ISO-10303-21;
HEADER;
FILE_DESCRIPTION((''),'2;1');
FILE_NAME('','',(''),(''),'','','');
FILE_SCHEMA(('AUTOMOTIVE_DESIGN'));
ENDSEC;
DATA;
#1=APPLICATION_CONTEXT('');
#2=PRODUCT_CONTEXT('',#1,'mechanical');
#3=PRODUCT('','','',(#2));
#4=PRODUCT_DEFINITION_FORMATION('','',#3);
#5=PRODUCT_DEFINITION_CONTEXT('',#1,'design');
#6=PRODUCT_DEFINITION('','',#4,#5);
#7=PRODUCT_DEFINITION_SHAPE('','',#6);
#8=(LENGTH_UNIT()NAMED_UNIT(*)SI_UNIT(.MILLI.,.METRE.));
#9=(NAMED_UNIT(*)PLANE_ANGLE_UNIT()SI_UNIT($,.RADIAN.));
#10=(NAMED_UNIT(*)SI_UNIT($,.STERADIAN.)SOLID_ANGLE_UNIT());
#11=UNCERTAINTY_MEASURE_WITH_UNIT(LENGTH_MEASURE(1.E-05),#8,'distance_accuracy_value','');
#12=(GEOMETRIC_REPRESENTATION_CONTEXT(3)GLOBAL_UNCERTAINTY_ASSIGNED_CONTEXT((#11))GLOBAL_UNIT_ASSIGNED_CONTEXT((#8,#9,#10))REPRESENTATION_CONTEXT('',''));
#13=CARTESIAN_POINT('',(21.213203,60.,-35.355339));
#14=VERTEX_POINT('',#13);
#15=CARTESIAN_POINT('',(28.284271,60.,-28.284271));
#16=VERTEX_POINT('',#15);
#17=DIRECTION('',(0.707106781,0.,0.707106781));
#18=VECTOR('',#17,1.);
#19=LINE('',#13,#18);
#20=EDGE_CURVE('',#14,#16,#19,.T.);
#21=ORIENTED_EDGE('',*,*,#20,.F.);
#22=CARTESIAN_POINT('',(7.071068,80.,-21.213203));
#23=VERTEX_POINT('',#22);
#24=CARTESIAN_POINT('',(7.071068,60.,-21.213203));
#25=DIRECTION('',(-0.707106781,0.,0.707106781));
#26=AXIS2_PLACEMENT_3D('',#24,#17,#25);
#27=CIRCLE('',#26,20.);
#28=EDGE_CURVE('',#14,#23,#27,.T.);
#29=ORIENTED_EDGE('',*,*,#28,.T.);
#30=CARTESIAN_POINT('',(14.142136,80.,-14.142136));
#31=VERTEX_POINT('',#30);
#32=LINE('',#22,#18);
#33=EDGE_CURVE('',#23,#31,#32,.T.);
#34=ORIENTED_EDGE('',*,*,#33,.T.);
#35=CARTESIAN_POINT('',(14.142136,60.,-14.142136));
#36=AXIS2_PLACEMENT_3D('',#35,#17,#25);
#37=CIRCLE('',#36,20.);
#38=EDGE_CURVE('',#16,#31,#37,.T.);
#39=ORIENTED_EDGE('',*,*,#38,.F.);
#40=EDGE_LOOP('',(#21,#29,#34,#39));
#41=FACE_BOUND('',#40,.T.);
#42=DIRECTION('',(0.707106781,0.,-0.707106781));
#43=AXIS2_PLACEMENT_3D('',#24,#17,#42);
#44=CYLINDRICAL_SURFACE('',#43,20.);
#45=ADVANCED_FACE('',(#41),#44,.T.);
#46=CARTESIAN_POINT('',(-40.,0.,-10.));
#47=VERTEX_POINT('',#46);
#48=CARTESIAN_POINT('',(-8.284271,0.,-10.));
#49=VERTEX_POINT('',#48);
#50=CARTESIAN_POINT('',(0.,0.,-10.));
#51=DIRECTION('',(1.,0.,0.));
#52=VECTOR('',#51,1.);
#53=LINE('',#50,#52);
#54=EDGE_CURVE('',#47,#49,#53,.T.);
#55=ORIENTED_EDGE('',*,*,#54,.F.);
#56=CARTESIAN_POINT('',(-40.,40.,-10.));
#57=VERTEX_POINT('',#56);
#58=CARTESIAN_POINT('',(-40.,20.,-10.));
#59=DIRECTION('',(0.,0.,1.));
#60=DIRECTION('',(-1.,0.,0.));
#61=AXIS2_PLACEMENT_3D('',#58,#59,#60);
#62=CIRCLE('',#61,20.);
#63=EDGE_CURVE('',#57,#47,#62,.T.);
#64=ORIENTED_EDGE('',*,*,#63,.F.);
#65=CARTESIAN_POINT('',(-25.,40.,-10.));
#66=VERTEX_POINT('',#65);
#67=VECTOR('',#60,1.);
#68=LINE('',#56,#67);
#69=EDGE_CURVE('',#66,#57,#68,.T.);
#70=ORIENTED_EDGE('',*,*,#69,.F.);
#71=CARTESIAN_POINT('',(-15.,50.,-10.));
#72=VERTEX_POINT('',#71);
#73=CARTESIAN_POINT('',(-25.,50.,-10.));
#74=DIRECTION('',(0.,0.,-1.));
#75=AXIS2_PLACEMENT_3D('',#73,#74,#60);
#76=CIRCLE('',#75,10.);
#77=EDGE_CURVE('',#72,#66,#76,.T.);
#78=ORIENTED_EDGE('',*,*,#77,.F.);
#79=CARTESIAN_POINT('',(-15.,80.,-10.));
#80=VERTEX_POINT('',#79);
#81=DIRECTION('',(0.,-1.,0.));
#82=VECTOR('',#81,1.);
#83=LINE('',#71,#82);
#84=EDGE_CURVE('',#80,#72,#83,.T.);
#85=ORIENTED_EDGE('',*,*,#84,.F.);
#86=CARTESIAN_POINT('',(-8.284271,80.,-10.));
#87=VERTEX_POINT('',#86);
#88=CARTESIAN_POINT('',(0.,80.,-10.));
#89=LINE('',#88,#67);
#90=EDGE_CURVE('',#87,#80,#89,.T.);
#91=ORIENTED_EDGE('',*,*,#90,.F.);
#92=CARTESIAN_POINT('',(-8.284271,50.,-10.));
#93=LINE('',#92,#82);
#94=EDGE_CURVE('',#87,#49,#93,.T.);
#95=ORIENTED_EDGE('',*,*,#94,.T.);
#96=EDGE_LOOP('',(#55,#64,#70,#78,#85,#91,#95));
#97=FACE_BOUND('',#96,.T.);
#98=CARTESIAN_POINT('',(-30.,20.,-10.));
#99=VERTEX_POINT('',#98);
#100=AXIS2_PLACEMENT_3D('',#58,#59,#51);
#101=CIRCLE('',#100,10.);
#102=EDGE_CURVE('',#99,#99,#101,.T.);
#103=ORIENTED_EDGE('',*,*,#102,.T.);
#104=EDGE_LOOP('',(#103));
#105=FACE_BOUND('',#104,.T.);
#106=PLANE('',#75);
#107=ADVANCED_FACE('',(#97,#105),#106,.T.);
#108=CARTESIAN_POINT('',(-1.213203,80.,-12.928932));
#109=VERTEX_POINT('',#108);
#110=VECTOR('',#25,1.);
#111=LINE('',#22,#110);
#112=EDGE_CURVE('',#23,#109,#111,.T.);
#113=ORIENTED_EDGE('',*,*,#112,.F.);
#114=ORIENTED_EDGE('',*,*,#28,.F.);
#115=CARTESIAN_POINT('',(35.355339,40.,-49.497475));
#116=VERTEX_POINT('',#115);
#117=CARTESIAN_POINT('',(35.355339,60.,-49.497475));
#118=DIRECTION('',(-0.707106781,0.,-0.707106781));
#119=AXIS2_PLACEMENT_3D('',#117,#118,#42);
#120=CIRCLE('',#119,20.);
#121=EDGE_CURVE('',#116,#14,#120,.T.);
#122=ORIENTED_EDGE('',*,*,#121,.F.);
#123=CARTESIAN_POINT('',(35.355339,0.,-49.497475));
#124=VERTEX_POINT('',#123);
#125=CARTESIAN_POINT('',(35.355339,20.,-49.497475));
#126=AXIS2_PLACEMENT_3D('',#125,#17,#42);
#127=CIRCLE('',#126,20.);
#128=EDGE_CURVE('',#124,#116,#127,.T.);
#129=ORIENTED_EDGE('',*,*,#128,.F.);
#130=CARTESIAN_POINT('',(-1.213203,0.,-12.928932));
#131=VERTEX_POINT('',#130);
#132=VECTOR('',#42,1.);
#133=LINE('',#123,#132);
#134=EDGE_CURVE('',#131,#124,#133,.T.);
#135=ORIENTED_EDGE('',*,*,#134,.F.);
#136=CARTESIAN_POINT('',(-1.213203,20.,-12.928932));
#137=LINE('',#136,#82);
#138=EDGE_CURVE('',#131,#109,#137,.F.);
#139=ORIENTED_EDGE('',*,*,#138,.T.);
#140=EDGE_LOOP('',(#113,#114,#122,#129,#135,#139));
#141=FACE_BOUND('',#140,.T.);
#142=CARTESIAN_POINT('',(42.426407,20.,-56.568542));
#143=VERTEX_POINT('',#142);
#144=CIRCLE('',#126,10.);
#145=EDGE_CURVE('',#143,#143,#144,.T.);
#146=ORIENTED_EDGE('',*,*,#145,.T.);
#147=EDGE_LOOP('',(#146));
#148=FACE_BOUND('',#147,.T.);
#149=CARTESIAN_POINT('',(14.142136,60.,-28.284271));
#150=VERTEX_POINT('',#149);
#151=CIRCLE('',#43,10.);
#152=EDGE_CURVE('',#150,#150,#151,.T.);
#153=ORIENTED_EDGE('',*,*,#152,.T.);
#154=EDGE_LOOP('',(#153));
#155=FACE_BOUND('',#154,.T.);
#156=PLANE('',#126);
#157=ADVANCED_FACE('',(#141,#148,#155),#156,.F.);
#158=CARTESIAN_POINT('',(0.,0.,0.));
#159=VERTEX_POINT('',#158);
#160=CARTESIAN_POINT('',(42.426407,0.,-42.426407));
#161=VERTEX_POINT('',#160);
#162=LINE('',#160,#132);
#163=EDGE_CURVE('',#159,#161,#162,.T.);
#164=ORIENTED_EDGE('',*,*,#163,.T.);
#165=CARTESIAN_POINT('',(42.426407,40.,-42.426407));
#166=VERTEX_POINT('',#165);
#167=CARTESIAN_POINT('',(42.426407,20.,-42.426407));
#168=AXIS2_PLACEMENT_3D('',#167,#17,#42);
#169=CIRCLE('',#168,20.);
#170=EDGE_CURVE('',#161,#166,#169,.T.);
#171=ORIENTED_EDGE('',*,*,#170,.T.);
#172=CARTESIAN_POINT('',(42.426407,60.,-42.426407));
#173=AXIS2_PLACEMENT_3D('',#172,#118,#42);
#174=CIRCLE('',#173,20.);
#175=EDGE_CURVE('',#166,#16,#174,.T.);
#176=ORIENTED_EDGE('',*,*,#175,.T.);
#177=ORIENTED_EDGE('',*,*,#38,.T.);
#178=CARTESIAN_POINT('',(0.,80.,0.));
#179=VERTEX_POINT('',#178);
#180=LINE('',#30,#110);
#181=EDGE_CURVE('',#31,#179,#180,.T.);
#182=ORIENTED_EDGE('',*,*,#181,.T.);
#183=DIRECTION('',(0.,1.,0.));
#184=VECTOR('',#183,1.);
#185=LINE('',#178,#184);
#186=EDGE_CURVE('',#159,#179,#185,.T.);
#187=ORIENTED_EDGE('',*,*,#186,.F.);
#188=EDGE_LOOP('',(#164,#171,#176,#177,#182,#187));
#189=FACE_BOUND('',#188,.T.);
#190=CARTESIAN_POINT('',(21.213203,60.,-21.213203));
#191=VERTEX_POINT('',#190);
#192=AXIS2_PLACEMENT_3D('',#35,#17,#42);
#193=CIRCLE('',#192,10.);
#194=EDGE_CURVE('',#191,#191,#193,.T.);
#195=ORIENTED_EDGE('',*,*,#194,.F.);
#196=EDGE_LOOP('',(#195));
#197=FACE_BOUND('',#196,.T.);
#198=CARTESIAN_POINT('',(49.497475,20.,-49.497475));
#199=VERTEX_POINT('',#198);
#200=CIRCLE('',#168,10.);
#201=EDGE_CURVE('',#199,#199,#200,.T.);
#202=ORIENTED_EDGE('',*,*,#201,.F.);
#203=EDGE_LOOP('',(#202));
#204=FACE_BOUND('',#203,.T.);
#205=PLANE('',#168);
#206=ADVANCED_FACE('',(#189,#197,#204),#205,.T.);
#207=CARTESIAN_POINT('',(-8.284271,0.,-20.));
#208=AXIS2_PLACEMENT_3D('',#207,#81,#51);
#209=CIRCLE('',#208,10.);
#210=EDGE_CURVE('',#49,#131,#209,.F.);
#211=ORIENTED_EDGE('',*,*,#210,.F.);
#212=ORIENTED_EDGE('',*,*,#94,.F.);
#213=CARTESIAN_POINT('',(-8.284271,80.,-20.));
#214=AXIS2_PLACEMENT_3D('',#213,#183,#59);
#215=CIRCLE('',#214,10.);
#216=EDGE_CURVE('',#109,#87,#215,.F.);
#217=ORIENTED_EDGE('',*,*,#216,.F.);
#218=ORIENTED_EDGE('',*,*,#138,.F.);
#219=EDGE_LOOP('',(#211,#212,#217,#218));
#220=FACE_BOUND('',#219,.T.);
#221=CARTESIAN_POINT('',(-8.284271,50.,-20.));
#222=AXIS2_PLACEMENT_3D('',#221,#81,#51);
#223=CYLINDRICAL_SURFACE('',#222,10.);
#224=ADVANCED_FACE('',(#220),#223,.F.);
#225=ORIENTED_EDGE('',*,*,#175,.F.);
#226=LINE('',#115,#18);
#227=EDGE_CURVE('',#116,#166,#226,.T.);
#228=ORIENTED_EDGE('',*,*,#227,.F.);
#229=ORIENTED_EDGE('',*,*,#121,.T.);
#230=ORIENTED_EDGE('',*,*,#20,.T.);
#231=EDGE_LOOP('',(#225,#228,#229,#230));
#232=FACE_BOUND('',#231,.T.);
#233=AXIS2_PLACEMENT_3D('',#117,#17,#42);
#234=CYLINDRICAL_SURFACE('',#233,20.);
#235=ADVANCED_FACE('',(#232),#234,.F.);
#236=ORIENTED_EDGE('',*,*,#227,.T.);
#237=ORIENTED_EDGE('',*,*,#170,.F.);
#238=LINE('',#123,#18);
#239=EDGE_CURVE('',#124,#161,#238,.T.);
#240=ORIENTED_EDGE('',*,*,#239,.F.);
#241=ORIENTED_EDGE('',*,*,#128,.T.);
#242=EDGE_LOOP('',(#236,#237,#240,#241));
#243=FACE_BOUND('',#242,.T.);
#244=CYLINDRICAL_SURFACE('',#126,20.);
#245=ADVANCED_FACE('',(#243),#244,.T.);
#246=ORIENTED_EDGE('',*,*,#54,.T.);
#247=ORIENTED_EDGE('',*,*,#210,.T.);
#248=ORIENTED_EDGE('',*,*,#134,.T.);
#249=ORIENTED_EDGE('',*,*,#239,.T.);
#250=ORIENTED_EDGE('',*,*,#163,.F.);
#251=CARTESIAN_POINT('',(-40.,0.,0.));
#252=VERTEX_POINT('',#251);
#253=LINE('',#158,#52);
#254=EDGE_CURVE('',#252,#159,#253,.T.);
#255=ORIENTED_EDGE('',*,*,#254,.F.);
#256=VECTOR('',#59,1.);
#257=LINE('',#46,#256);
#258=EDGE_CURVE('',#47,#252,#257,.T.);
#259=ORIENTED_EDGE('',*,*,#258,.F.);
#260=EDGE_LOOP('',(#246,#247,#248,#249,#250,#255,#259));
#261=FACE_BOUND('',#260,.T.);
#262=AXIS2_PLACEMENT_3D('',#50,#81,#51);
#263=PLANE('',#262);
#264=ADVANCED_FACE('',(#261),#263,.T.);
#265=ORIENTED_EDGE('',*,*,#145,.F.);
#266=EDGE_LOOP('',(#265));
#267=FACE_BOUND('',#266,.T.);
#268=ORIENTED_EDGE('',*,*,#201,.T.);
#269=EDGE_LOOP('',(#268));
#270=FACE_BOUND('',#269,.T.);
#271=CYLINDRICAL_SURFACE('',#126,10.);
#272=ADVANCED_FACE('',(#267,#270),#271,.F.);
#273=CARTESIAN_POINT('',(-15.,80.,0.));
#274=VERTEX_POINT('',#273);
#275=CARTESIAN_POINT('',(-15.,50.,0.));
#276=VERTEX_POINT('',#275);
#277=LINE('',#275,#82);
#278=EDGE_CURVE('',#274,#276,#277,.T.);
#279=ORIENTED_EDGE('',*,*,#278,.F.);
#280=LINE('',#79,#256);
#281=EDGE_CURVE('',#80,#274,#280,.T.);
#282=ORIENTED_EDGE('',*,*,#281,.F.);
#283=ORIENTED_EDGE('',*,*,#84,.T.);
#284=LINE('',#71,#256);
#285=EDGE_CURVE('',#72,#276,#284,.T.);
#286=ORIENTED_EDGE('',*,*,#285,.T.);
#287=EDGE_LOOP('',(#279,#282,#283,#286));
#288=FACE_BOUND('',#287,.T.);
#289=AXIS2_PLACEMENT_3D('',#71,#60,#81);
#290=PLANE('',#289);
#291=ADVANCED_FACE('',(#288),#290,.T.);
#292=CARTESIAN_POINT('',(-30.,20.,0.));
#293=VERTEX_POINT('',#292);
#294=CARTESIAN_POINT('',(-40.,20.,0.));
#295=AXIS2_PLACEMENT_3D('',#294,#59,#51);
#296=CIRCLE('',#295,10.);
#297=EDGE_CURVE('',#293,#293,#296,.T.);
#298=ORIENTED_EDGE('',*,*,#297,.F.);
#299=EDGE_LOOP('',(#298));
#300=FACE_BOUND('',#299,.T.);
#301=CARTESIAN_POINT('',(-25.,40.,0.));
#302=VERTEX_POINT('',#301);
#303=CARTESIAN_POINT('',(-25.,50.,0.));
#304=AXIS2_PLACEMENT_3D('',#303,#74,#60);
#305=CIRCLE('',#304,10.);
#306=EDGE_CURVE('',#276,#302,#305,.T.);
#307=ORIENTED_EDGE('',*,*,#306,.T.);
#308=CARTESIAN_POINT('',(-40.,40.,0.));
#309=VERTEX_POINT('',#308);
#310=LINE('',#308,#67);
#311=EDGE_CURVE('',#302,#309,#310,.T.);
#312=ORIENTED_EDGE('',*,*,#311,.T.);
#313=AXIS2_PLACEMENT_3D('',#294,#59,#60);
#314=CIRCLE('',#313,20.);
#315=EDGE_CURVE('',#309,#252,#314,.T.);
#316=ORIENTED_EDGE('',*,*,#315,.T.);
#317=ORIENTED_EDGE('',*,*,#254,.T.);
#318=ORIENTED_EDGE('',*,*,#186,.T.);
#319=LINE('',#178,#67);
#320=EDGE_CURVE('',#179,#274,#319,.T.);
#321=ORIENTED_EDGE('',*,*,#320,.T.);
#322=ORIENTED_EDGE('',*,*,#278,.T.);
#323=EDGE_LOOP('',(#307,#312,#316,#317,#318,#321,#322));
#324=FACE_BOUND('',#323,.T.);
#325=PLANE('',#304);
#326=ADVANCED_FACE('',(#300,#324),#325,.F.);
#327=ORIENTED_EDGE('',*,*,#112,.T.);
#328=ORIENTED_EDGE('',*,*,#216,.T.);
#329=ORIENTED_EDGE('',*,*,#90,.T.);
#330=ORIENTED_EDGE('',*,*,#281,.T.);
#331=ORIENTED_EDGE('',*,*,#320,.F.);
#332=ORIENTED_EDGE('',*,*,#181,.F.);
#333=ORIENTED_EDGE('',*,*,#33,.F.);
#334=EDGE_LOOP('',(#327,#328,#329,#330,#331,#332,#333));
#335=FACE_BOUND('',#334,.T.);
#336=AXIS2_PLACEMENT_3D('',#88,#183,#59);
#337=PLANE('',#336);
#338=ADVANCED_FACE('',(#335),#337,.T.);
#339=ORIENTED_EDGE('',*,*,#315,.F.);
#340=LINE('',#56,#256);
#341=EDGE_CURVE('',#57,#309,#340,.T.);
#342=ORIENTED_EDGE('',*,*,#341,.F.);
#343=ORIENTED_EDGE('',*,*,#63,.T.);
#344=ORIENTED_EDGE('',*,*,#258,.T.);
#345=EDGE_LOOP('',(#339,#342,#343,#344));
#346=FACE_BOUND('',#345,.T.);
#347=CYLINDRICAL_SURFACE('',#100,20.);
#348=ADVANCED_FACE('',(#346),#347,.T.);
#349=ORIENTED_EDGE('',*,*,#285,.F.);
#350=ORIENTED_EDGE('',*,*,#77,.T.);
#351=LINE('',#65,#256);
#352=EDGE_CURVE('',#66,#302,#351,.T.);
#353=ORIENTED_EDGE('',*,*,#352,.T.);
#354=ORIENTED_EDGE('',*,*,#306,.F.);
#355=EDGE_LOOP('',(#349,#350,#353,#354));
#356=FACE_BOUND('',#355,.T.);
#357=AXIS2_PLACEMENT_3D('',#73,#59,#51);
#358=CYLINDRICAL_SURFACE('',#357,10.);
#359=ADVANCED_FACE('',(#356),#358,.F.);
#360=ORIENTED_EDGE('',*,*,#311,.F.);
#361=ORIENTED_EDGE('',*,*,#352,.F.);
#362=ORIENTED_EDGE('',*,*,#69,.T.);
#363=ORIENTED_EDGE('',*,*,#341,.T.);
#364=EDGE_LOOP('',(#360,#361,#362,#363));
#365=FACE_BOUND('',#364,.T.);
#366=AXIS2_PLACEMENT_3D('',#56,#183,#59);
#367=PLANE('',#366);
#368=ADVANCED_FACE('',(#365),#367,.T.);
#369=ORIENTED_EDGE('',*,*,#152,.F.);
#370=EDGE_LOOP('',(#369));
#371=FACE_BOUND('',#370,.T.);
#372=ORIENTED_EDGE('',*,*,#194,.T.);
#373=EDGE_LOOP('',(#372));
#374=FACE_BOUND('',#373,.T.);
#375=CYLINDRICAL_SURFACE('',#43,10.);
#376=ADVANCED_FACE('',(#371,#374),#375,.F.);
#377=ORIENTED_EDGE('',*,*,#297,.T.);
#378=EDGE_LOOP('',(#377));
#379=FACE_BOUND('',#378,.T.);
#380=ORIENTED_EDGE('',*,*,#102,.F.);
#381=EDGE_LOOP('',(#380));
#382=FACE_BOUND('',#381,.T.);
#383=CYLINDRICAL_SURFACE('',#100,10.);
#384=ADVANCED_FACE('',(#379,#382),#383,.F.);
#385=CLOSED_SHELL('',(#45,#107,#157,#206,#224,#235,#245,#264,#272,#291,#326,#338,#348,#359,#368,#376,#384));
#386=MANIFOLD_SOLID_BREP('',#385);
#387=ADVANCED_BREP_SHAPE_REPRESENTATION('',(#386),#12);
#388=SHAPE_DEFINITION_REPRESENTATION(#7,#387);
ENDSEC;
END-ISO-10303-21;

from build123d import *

# Parameters (mm, degrees)
SKETCH_1_R      = 10
EXTRUDE_1_DEPTH = 10
SKETCH_2_R      = 10
EXTRUDE_2_DEPTH = 10
FILLET_1_R      = 10


with BuildPart() as part:
    # 草圖1 → 填料-伸長1 (new body)
    with BuildSketch(Plane.XY):
        with BuildLine():
            Line((0, 80), (0, 0))
            Line((0, 0), (-40, 0))
            ThreePointArc((-40, 0), (-60, 20), (-40, 40))
            Line((-40, 40), (-25, 40))
            ThreePointArc((-25, 40), (-17.928932188, 42.928932188), (-15, 50))
            Line((-15, 50), (-15, 80))
            Line((-15, 80), (0, 80))
        make_face()
        with Locations((-40, 20)):
            Circle(SKETCH_1_R, mode=Mode.SUBTRACT)
    extrude(amount=-EXTRUDE_1_DEPTH)

    # 草圖2 → 填料-伸長2 (add)
    with BuildSketch(Plane(origin=(0, 0, 0), x_dir=(0, -1, 0), z_dir=(0.707106781, 0, 0.707106781))):
        with BuildLine():
            Line((0, 60), (0, 0))
            Line((0, 0), (-80, 0))
            Line((-80, 0), (-80, 20))
            ThreePointArc((-80, 20), (-74.142135624, 34.142135624), (-60, 40))
            ThreePointArc((-60, 40), (-45.857864376, 45.857864376), (-40, 60))
            ThreePointArc((-40, 60), (-20, 80), (0, 60))
        make_face()
        with Locations((-60, 20)):
            Circle(SKETCH_2_R, mode=Mode.SUBTRACT)
        with Locations((-20, 60)):
            Circle(SKETCH_2_R, mode=Mode.SUBTRACT)
    extrude(amount=-EXTRUDE_2_DEPTH)

    # 圓角1
    fillet_1_edges = [part.edges().sort_by_distance(p)[0] for p in [
        (-4.142135624, 40, -10),
    ]]
    fillet(fillet_1_edges, radius=FILLET_1_R)


solid = part.part
